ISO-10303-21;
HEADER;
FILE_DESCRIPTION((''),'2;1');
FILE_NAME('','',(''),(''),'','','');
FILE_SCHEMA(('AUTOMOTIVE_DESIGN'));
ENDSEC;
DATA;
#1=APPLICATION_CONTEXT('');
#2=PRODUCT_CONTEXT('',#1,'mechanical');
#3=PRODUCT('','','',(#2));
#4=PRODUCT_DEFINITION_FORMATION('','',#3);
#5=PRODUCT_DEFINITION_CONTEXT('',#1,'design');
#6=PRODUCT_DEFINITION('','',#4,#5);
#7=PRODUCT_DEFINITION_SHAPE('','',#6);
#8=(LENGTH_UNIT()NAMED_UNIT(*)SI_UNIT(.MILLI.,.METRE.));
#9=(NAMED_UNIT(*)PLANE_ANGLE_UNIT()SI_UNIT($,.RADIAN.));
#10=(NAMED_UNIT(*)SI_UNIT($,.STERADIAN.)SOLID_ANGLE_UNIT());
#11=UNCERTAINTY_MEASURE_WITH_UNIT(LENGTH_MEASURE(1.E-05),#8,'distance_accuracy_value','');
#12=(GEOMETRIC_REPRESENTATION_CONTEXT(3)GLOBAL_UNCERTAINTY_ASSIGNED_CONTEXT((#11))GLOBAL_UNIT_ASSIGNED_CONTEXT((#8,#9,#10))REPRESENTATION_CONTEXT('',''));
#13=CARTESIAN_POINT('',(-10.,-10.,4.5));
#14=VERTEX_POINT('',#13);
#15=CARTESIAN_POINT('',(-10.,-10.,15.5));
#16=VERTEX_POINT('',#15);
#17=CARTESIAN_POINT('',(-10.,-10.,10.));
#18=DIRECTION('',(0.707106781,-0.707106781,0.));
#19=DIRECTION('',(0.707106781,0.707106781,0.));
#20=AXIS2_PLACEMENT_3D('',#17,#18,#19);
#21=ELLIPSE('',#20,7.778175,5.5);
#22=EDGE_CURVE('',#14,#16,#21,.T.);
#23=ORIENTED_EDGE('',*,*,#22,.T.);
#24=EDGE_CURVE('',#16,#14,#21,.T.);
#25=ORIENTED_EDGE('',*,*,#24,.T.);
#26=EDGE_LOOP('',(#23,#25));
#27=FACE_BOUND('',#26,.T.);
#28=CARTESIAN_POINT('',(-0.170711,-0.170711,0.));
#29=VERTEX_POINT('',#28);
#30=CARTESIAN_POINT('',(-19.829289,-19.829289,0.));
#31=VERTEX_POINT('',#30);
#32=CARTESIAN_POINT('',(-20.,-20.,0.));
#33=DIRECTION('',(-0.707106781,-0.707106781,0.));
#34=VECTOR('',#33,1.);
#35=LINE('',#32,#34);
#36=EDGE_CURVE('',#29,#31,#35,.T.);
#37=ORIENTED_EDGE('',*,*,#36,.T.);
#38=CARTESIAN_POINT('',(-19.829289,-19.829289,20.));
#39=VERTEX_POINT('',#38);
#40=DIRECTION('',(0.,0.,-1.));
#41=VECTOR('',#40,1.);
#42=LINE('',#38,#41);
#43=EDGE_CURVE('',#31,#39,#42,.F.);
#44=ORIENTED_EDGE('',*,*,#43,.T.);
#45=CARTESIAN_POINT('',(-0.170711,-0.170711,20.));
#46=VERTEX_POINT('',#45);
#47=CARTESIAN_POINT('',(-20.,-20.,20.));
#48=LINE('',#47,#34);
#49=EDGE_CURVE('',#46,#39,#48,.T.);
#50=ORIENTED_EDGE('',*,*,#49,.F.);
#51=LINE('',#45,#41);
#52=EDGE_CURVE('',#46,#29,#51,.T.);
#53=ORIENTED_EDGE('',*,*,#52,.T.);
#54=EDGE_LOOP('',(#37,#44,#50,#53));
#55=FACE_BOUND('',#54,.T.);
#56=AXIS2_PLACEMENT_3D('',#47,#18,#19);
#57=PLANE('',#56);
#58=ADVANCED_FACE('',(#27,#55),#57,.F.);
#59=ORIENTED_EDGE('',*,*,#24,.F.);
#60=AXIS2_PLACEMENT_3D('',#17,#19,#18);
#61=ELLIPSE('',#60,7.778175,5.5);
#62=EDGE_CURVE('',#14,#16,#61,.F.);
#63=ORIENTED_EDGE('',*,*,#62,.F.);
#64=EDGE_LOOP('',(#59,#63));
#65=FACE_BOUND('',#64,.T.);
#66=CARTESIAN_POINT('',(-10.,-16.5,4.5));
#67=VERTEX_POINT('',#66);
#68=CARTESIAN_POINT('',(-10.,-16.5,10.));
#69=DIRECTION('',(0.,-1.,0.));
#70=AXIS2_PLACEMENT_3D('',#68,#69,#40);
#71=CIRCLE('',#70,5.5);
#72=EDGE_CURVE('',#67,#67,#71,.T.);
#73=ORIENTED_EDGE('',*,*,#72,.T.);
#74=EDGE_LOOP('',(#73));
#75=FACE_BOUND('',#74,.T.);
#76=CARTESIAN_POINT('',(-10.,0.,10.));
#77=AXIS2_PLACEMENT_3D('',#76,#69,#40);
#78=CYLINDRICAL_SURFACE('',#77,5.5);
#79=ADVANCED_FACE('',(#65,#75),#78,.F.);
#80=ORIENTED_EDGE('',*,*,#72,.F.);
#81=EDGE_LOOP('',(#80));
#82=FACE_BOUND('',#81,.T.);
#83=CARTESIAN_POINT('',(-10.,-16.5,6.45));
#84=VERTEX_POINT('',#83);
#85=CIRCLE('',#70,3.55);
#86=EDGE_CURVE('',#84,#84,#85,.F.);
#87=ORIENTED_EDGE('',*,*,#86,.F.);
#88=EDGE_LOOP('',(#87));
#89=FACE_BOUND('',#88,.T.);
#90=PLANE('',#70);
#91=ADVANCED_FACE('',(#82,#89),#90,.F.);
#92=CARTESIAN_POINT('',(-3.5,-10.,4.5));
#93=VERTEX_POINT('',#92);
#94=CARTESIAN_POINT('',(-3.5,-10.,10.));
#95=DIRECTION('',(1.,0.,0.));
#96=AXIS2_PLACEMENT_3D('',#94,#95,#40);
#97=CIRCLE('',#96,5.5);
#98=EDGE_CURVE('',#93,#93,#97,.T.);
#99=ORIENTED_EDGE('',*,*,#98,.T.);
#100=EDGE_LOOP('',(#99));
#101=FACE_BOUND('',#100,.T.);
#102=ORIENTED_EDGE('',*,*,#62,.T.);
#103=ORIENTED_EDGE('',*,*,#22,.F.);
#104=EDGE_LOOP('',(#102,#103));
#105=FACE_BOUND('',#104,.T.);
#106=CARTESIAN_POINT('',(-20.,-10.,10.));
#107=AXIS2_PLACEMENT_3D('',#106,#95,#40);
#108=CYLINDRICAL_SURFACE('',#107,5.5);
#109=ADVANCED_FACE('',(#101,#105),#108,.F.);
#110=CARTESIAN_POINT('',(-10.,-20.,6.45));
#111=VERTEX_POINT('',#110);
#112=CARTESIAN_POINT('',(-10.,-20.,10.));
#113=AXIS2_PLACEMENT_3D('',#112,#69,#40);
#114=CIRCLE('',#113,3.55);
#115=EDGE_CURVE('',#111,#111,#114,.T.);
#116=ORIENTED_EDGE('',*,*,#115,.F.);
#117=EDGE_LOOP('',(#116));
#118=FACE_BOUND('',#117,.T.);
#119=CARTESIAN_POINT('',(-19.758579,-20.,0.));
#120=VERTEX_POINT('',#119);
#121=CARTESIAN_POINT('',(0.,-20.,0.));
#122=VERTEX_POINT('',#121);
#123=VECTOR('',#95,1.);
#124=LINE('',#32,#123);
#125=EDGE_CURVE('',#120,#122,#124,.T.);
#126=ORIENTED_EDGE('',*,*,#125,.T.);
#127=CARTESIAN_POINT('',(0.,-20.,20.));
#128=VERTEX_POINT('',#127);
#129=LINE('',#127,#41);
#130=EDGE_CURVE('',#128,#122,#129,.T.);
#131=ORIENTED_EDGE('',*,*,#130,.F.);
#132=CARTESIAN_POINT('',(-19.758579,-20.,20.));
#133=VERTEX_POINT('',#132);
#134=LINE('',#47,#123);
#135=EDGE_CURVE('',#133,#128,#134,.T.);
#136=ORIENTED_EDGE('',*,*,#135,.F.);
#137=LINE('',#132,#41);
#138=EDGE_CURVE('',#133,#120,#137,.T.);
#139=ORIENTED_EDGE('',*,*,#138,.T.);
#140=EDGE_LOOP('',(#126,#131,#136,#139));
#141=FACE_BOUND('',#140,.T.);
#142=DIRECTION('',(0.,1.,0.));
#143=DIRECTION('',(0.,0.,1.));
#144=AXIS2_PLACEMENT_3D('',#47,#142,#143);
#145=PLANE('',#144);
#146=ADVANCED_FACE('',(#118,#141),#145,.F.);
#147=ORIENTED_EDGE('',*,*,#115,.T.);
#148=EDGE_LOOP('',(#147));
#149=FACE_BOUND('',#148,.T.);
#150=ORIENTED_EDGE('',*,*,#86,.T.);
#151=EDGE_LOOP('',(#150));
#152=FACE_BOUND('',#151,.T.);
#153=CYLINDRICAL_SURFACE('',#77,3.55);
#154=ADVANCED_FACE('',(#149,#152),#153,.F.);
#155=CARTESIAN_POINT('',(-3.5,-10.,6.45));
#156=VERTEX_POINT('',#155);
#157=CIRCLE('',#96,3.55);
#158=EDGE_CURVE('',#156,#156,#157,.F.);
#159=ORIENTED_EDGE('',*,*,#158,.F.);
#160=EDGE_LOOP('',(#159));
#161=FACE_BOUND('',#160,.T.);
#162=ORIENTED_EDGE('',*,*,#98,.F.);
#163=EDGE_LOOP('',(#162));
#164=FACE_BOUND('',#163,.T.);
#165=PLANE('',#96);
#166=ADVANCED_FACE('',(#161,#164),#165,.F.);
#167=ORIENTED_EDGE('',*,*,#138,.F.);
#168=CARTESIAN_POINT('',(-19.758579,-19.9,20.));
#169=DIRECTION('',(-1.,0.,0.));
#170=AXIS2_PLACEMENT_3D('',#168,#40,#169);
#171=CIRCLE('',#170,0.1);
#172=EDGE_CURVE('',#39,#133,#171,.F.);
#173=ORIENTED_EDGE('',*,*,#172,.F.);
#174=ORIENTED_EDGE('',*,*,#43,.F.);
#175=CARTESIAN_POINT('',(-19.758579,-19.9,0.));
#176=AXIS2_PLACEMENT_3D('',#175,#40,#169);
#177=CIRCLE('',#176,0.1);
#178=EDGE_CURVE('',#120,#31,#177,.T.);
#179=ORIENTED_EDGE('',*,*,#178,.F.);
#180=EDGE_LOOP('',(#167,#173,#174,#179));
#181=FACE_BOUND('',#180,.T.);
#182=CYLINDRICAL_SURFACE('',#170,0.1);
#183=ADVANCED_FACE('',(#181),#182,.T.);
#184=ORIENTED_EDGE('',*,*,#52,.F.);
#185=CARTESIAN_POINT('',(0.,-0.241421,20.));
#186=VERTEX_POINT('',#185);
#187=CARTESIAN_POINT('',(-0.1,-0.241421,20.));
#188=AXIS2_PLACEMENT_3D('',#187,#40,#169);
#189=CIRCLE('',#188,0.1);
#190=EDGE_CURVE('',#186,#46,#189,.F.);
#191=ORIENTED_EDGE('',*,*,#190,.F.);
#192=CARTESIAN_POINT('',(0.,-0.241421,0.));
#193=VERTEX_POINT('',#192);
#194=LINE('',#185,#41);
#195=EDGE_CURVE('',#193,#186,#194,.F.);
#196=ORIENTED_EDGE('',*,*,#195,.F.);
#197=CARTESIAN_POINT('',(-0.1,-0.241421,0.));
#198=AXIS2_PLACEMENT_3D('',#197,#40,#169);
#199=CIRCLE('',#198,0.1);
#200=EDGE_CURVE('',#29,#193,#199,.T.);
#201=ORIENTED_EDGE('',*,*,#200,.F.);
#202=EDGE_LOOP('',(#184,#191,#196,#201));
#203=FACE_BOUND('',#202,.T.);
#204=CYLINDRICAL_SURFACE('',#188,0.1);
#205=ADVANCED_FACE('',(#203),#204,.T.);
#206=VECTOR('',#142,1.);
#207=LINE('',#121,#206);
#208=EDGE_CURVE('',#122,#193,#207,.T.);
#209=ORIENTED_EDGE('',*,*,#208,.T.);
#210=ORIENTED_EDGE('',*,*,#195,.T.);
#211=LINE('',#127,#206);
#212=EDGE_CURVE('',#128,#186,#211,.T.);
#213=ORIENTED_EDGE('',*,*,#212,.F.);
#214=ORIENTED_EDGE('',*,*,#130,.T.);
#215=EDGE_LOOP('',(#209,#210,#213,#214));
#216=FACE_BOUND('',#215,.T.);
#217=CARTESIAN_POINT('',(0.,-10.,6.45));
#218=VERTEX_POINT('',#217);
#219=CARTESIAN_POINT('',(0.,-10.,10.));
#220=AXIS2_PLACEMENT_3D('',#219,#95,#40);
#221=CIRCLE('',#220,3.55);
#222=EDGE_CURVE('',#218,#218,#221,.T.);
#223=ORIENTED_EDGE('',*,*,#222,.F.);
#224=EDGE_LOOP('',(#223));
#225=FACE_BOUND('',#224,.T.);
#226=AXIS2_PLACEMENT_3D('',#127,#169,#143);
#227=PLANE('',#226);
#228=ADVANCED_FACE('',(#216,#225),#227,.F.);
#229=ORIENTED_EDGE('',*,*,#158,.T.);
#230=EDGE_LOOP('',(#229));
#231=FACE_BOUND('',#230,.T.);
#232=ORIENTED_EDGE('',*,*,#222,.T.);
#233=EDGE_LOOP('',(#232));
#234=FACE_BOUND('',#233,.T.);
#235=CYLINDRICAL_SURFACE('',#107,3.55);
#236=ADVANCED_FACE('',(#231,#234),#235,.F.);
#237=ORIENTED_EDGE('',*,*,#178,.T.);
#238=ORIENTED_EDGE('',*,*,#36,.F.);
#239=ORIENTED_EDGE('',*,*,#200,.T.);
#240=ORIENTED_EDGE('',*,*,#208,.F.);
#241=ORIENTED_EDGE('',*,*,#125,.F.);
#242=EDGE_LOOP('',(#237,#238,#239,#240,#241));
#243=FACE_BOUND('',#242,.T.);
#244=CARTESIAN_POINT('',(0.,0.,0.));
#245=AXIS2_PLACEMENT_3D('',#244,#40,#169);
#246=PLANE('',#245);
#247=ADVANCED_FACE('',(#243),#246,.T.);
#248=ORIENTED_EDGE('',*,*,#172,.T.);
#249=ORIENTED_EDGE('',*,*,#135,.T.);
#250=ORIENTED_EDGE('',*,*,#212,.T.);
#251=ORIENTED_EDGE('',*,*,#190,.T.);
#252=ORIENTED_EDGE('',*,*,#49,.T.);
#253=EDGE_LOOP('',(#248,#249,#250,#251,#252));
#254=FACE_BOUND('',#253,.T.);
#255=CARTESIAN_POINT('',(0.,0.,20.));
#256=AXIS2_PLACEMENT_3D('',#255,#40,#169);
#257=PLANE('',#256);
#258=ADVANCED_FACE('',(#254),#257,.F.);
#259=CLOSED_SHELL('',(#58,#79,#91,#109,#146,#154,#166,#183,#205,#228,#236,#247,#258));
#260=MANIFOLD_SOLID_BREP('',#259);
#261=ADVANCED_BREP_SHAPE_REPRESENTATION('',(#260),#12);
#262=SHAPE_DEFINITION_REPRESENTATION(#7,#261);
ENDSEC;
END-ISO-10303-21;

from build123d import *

# Parameters (mm, degrees)
BOSS_EXTRU_1_DEPTH      = 20
ESQUISSE2_R             = 3.55
ENL_V_MAT_EXTRU_1_DEPTH = 21
ESQUISSE3_R             = 3.55
ENL_V_MAT_EXTRU_2_DEPTH = 21
ENL_V_START             = -3.5
ESQUISSE4_R             = 5.5
ENL_V_MAT_EXTRU_3_DEPTH = 17.5
ESQUISSE5_R             = 5.5
ENL_V_MAT_EXTRU_4_DEPTH = 17.5
CONG_1_R                = 0.1


with BuildPart() as part:
    # Esquisse1 → Boss.-Extru.1 (new body)
    with BuildSketch(Plane.XY):
        Polygon((-20, -20), (0, 0), (0, -20), align=None)
    extrude(amount=BOSS_EXTRU_1_DEPTH)

    # Esquisse2 → Enlèv. mat.-Extru.1 (cut, through all)
    with BuildSketch(Plane.XZ.offset(20)):
        with Locations((-10, 10)):
            Circle(ESQUISSE2_R)
    extrude(amount=-ENL_V_MAT_EXTRU_1_DEPTH, mode=Mode.SUBTRACT)

    # Esquisse3 → Enlèv. mat.-Extru.2 (cut, through all)
    with BuildSketch(Plane(origin=(0, 0, 0), x_dir=(0, 0, 1), z_dir=(1, 0, 0))):
        with Locations((10, 10)):
            Circle(ESQUISSE3_R)
    extrude(amount=-ENL_V_MAT_EXTRU_2_DEPTH, mode=Mode.SUBTRACT)

    # Esquisse4 → Enlèv. mat.-Extru.3 (cut, through all)
    with BuildSketch(Plane(origin=(0, 0, 0), x_dir=(0, 0, -1), z_dir=(1, 0, 0)).offset(ENL_V_START)):
        with Locations((-10, -10)):
            Circle(ESQUISSE4_R)
    extrude(amount=-ENL_V_MAT_EXTRU_3_DEPTH, mode=Mode.SUBTRACT)

    # Esquisse5 → Enlèv. mat.-Extru.4 (cut, through all)
    with BuildSketch(Plane.XZ.offset(20).offset(ENL_V_START)):
        with Locations((-10, 10)):
            Circle(ESQUISSE5_R)
    extrude(amount=-ENL_V_MAT_EXTRU_4_DEPTH, mode=Mode.SUBTRACT)

    # Congé1
    cong_1_edges = [part.edges().sort_by_distance(p)[0] for p in [
        (-20, -20, 10),
        (0, 0, 10),
    ]]
    fillet(cong_1_edges, radius=CONG_1_R)


solid = part.part
